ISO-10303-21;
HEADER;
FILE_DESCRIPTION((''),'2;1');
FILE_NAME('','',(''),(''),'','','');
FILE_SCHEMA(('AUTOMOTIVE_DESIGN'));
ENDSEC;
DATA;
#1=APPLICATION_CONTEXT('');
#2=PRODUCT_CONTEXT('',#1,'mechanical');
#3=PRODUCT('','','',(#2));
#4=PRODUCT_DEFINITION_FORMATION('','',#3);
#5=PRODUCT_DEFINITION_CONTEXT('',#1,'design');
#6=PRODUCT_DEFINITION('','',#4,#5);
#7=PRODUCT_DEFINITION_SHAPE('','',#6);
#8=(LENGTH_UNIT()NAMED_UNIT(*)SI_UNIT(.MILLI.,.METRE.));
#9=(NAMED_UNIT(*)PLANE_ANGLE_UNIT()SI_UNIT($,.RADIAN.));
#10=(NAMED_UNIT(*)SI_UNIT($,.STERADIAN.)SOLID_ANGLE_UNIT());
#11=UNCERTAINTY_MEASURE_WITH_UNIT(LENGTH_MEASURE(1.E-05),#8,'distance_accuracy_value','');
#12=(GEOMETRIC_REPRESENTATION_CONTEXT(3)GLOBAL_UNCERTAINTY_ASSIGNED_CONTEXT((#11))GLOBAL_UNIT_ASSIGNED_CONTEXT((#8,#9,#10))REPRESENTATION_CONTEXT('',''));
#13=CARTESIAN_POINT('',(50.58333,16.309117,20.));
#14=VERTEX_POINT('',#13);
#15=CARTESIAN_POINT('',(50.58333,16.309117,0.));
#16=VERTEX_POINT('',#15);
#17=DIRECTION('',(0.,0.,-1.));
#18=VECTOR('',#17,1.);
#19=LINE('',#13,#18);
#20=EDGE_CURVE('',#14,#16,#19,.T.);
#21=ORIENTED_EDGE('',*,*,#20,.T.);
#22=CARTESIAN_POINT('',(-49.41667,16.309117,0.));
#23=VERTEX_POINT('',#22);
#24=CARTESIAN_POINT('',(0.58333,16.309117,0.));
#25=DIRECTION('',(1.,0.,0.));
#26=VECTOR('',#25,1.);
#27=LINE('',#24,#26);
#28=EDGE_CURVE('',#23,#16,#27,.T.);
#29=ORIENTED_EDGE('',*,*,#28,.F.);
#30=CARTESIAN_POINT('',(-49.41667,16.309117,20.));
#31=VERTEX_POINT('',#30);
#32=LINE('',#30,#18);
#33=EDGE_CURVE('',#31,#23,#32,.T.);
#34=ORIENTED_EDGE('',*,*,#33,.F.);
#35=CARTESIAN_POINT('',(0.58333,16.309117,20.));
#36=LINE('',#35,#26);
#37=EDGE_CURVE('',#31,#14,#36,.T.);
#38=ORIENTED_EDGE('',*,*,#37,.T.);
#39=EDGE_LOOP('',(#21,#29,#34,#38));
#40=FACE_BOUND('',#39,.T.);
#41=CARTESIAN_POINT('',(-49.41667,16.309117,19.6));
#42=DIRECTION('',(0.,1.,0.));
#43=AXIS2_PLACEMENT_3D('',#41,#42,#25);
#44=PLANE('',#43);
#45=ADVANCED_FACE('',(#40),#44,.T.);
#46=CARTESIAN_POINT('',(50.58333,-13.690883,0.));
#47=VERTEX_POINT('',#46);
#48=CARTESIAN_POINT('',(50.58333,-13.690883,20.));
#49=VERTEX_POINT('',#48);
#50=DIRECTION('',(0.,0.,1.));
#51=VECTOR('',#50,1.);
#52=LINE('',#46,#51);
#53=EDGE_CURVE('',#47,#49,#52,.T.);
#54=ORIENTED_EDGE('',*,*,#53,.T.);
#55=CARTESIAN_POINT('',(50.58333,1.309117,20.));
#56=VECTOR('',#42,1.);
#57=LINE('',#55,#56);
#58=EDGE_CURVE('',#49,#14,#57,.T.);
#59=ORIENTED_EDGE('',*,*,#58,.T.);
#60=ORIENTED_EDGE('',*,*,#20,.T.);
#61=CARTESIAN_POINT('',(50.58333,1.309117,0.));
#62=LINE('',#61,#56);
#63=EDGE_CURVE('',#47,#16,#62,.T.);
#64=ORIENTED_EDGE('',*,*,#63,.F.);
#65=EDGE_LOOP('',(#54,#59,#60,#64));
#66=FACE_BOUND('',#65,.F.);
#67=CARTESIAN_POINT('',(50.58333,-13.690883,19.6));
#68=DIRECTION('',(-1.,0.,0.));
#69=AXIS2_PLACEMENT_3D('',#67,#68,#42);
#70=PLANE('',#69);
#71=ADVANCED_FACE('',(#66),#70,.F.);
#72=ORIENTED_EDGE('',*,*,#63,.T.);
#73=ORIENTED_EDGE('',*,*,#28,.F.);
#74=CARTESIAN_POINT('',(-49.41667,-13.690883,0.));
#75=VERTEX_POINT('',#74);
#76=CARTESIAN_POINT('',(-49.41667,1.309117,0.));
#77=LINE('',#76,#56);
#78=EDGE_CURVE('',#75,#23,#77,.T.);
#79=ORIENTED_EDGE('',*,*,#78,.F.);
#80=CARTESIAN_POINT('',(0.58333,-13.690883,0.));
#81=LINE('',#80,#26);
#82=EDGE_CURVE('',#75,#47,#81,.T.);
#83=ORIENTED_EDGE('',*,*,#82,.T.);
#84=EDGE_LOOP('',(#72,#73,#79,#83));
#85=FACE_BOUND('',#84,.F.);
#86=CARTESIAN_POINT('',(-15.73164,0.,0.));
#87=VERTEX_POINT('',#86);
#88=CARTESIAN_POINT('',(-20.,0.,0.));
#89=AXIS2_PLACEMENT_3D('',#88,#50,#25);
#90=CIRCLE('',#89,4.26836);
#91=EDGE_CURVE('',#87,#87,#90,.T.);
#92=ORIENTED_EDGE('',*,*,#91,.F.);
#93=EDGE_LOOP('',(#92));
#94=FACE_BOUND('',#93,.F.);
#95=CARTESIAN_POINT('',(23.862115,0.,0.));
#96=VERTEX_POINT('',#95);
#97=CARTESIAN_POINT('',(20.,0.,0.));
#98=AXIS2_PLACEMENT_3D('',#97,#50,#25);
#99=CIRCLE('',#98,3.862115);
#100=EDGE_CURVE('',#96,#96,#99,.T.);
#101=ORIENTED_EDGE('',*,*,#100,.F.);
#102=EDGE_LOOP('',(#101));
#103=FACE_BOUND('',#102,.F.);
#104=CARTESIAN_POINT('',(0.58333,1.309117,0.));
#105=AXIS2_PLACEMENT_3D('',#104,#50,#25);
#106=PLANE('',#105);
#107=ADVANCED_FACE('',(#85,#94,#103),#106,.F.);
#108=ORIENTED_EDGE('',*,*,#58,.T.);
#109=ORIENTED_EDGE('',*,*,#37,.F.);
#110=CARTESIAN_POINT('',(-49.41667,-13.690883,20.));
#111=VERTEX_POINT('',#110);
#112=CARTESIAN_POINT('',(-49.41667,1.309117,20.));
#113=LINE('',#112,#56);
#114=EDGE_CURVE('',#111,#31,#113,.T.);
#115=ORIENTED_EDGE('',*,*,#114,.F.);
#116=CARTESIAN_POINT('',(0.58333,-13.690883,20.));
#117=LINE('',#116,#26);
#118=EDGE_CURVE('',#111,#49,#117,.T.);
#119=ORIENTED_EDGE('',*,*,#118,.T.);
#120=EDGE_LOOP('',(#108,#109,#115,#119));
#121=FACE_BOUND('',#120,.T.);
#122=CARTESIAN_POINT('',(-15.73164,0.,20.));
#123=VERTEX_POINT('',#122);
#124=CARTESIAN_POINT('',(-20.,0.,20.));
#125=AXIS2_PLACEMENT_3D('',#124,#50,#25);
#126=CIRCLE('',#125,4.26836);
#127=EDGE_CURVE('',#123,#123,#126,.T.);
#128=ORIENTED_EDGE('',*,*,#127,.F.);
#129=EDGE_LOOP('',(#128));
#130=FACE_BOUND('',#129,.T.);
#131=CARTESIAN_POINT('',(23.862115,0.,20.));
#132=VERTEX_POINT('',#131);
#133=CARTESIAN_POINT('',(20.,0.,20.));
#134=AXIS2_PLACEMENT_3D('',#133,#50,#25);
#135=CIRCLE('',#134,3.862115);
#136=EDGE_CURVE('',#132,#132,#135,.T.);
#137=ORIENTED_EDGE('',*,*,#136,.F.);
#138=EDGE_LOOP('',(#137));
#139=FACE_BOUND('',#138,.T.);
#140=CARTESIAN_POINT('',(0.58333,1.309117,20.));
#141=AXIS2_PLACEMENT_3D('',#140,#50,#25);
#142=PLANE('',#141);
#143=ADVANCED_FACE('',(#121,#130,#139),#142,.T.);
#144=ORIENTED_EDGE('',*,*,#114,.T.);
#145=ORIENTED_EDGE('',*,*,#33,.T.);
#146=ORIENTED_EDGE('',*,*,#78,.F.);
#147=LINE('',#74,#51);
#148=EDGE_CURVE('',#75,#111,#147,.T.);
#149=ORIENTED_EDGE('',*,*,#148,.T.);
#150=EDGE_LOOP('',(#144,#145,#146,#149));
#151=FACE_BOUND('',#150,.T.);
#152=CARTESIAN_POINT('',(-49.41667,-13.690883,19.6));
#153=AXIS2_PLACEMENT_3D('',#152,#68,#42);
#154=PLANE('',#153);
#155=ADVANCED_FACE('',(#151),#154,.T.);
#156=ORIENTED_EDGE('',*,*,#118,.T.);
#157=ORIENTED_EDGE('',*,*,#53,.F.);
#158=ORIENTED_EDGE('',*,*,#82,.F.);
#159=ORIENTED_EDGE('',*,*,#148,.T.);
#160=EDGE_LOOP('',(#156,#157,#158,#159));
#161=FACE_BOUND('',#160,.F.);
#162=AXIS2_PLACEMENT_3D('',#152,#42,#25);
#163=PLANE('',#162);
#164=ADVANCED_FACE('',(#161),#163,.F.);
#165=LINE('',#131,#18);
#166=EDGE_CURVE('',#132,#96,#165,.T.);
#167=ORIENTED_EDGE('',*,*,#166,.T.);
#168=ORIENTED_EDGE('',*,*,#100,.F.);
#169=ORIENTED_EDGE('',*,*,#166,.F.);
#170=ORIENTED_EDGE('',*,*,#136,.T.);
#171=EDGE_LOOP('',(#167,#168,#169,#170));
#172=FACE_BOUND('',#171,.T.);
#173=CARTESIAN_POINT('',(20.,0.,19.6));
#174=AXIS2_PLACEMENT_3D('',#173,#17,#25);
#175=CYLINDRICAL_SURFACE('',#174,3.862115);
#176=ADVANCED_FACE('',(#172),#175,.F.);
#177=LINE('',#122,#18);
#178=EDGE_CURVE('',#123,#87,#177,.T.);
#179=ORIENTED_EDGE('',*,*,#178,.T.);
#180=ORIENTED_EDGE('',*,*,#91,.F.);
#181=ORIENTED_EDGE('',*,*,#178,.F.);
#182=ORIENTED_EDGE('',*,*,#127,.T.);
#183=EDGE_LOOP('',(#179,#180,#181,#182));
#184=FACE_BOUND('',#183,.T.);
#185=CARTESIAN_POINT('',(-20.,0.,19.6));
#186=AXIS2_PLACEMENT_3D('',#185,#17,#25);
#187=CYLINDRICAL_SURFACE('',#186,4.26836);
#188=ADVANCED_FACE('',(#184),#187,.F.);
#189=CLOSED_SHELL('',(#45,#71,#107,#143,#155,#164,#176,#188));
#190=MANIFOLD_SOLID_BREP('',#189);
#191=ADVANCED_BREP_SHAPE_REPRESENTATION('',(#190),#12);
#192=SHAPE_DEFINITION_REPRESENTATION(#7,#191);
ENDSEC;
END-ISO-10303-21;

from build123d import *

# Parameters (mm, degrees)
F0_W        = 100
F0_H        = 30
F0_R        = 4.26836
F0_R_2      = 3.862115
F1_DEPTH    = 19.6
F1_FACE_W   = 100
F1_FACE_H   = 30
F1_FACE_R   = 4.26836
F1_FACE_R_2 = 3.862115
F2_DEPTH    = 0.4


with BuildPart() as f1:
    # F0 (on Top) → F1 (new body)
    with BuildSketch(Plane.XY):
        with Locations((0.58333, 1.309117)):
            Rectangle(F0_W, F0_H)
        with Locations((-20, 0)):
            Circle(F0_R, mode=Mode.SUBTRACT)
        with Locations((20, 0)):
            Circle(F0_R_2, mode=Mode.SUBTRACT)
    extrude(amount=F1_DEPTH)

    # F1_face (on face) → F2 (join)
    with BuildSketch(Plane(origin=(0.675962, 1.356174, 19.6), x_dir=(1, 0, 0), z_dir=(0, 0, 1))):
        with Locations((-0.092632, -0.047057)):
            Rectangle(F1_FACE_W, F1_FACE_H)
        with Locations((-20.675962, -1.356174)):
            Circle(F1_FACE_R, mode=Mode.SUBTRACT)
        with Locations((19.324038, -1.356174)):
            Circle(F1_FACE_R_2, mode=Mode.SUBTRACT)
    extrude(amount=F2_DEPTH)


solid = f1.part
